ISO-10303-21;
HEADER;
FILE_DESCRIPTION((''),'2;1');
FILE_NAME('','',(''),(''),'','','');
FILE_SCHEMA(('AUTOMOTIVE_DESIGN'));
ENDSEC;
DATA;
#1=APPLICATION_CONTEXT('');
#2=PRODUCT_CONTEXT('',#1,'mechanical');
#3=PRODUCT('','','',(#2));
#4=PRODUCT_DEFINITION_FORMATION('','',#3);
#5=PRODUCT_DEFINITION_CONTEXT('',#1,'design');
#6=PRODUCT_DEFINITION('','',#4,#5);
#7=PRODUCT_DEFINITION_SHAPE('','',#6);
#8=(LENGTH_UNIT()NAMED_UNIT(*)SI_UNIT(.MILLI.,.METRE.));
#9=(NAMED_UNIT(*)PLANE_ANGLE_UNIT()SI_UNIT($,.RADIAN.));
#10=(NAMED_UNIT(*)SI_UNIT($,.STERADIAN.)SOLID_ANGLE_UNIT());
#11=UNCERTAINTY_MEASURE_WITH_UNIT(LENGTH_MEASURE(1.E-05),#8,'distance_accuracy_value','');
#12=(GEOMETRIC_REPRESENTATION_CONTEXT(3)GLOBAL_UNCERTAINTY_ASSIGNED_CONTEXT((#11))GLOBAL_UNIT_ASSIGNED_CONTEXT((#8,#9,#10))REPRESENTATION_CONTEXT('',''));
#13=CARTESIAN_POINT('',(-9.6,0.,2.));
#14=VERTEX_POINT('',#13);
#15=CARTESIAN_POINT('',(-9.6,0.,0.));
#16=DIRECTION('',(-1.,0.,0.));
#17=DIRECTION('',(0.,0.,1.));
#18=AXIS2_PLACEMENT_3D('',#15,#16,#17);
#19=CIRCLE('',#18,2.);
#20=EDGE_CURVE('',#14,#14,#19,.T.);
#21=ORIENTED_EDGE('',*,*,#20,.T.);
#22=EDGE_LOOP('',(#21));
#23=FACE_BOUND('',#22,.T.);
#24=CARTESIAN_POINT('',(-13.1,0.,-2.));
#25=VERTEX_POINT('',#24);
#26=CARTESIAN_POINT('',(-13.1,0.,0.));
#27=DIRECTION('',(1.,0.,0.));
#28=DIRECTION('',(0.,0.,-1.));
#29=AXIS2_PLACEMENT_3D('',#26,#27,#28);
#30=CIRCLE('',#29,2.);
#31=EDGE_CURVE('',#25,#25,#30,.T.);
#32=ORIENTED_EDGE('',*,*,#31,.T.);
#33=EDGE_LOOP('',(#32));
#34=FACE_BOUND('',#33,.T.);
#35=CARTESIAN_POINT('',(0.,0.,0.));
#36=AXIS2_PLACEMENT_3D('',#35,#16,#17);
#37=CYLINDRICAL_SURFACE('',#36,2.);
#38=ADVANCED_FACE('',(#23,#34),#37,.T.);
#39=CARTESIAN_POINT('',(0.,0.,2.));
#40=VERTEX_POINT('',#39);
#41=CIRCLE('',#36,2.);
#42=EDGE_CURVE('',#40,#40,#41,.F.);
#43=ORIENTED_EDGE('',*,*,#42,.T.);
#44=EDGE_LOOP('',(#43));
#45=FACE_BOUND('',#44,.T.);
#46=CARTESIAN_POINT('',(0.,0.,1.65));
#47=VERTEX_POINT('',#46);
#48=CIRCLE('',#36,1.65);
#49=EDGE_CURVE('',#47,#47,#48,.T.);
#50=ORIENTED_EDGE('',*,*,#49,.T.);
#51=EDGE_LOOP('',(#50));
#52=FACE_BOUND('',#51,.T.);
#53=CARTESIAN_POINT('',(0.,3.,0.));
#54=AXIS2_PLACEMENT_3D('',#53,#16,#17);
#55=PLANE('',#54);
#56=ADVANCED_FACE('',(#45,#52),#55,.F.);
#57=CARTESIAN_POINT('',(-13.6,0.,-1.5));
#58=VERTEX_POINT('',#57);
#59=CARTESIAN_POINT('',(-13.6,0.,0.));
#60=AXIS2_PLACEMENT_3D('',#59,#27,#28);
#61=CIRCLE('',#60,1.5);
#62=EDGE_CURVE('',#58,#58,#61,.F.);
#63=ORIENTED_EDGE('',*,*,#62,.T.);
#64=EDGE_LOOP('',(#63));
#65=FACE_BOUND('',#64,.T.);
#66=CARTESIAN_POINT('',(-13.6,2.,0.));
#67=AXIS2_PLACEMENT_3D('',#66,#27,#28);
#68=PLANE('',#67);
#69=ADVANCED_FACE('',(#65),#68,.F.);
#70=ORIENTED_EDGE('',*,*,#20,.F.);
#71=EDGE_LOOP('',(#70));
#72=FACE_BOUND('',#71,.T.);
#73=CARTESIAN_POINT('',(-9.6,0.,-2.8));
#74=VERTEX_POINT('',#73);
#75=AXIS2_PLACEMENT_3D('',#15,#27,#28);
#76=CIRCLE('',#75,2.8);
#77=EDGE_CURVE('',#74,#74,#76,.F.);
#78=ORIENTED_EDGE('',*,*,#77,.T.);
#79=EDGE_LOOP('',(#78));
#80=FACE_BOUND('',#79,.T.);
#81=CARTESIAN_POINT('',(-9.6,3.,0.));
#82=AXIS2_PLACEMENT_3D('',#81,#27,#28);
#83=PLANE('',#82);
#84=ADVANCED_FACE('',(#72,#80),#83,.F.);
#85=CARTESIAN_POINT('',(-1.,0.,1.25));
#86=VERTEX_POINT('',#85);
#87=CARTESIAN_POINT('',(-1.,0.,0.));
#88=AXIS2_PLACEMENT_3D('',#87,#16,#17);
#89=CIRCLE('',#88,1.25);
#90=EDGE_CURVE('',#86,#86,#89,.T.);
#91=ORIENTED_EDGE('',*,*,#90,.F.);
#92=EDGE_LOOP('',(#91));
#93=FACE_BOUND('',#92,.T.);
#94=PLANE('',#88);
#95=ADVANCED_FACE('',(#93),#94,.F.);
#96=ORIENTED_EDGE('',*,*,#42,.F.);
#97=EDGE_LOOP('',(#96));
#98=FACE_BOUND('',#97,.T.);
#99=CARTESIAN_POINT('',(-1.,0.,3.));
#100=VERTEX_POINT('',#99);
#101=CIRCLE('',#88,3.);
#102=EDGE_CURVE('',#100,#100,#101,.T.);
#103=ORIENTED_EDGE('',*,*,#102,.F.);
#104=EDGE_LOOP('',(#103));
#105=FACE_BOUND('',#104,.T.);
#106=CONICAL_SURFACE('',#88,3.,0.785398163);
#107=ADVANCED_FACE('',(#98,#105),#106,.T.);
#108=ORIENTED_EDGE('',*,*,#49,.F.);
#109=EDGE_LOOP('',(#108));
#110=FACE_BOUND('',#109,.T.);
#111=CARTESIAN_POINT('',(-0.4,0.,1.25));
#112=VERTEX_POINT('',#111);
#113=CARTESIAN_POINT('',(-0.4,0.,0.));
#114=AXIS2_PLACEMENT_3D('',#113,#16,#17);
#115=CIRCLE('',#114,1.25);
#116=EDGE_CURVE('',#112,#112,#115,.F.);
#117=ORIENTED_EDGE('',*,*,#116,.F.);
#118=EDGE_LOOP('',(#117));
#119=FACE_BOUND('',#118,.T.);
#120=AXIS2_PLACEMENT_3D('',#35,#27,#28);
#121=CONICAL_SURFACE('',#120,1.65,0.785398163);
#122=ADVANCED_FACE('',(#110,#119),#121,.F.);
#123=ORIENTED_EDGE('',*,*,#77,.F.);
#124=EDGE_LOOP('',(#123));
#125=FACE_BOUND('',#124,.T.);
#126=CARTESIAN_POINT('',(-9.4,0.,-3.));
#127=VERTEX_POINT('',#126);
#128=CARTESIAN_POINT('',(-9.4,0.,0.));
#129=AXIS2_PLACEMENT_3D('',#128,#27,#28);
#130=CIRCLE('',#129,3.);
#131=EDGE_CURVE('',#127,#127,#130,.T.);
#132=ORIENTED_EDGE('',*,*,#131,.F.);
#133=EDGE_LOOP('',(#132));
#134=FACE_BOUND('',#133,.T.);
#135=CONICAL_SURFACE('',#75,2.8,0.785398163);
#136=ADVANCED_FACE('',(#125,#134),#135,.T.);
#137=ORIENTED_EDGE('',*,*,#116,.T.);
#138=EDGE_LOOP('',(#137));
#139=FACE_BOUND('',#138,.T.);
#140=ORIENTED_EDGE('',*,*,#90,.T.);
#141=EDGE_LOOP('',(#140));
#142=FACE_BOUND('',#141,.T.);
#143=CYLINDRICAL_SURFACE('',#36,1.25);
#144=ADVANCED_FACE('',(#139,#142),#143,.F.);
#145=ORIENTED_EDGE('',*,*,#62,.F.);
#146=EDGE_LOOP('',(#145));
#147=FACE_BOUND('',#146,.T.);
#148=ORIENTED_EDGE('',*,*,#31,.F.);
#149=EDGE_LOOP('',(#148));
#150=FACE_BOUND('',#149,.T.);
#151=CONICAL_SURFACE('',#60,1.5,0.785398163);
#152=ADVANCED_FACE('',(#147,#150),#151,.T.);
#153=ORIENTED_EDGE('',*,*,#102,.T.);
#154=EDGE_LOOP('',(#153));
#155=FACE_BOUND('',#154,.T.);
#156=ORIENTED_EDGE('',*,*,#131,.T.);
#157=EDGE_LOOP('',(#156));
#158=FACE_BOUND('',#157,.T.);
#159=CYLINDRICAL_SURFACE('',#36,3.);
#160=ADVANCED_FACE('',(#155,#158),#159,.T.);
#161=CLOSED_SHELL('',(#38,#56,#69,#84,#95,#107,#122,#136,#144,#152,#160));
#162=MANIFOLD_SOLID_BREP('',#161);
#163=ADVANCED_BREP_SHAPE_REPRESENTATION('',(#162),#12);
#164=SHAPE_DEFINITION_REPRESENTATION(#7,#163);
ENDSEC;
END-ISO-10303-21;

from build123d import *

# Parameters (mm, degrees)
CHANFREIN2_SIZE = 1
CHANFREIN3_SIZE = 0.4
CHANFREIN4_SIZE = 0.2
CHANFREIN5_SIZE = 0.5


with BuildPart() as part:
    # Esquisse1 → Révolution1 (revolve)
    with BuildSketch(Plane.XY, mode=Mode.PRIVATE) as r_volution1_sk:
        Polygon((-1, 0), (-1, 1.25), (0, 1.25), (0, 3), (-9.6, 3), (-9.6, 2), (-13.6, 2), (-13.6, 0), align=None)
    revolve(r_volution1_sk.sketch.rotate(Axis((0, 0, 0), (1, 0, 0)), 90), axis=Axis((0, 0, 0), (1, 0, 0)))  # turned: the seam where the file's is

    # Chanfrein2
    chanfrein2_edges = [part.edges().sort_by_distance(p)[0] for p in [
        (0, 0, -3),
    ]]
    chamfer(chanfrein2_edges, length=CHANFREIN2_SIZE)

    # Chanfrein3
    chanfrein3_edges = [part.edges().sort_by_distance(p)[0] for p in [
        (0, 0, -1.25),
    ]]
    chamfer(chanfrein3_edges, length=CHANFREIN3_SIZE)

    # Chanfrein4
    chanfrein4_edges = [part.edges().sort_by_distance(p)[0] for p in [
        (-9.6, 0, -3),
    ]]
    chamfer(chanfrein4_edges, length=CHANFREIN4_SIZE)

    # Chanfrein5
    chanfrein5_edges = [part.edges().sort_by_distance(p)[0] for p in [
        (-13.6, 0, -2),
    ]]
    chamfer(chanfrein5_edges, length=CHANFREIN5_SIZE)


solid = part.part
